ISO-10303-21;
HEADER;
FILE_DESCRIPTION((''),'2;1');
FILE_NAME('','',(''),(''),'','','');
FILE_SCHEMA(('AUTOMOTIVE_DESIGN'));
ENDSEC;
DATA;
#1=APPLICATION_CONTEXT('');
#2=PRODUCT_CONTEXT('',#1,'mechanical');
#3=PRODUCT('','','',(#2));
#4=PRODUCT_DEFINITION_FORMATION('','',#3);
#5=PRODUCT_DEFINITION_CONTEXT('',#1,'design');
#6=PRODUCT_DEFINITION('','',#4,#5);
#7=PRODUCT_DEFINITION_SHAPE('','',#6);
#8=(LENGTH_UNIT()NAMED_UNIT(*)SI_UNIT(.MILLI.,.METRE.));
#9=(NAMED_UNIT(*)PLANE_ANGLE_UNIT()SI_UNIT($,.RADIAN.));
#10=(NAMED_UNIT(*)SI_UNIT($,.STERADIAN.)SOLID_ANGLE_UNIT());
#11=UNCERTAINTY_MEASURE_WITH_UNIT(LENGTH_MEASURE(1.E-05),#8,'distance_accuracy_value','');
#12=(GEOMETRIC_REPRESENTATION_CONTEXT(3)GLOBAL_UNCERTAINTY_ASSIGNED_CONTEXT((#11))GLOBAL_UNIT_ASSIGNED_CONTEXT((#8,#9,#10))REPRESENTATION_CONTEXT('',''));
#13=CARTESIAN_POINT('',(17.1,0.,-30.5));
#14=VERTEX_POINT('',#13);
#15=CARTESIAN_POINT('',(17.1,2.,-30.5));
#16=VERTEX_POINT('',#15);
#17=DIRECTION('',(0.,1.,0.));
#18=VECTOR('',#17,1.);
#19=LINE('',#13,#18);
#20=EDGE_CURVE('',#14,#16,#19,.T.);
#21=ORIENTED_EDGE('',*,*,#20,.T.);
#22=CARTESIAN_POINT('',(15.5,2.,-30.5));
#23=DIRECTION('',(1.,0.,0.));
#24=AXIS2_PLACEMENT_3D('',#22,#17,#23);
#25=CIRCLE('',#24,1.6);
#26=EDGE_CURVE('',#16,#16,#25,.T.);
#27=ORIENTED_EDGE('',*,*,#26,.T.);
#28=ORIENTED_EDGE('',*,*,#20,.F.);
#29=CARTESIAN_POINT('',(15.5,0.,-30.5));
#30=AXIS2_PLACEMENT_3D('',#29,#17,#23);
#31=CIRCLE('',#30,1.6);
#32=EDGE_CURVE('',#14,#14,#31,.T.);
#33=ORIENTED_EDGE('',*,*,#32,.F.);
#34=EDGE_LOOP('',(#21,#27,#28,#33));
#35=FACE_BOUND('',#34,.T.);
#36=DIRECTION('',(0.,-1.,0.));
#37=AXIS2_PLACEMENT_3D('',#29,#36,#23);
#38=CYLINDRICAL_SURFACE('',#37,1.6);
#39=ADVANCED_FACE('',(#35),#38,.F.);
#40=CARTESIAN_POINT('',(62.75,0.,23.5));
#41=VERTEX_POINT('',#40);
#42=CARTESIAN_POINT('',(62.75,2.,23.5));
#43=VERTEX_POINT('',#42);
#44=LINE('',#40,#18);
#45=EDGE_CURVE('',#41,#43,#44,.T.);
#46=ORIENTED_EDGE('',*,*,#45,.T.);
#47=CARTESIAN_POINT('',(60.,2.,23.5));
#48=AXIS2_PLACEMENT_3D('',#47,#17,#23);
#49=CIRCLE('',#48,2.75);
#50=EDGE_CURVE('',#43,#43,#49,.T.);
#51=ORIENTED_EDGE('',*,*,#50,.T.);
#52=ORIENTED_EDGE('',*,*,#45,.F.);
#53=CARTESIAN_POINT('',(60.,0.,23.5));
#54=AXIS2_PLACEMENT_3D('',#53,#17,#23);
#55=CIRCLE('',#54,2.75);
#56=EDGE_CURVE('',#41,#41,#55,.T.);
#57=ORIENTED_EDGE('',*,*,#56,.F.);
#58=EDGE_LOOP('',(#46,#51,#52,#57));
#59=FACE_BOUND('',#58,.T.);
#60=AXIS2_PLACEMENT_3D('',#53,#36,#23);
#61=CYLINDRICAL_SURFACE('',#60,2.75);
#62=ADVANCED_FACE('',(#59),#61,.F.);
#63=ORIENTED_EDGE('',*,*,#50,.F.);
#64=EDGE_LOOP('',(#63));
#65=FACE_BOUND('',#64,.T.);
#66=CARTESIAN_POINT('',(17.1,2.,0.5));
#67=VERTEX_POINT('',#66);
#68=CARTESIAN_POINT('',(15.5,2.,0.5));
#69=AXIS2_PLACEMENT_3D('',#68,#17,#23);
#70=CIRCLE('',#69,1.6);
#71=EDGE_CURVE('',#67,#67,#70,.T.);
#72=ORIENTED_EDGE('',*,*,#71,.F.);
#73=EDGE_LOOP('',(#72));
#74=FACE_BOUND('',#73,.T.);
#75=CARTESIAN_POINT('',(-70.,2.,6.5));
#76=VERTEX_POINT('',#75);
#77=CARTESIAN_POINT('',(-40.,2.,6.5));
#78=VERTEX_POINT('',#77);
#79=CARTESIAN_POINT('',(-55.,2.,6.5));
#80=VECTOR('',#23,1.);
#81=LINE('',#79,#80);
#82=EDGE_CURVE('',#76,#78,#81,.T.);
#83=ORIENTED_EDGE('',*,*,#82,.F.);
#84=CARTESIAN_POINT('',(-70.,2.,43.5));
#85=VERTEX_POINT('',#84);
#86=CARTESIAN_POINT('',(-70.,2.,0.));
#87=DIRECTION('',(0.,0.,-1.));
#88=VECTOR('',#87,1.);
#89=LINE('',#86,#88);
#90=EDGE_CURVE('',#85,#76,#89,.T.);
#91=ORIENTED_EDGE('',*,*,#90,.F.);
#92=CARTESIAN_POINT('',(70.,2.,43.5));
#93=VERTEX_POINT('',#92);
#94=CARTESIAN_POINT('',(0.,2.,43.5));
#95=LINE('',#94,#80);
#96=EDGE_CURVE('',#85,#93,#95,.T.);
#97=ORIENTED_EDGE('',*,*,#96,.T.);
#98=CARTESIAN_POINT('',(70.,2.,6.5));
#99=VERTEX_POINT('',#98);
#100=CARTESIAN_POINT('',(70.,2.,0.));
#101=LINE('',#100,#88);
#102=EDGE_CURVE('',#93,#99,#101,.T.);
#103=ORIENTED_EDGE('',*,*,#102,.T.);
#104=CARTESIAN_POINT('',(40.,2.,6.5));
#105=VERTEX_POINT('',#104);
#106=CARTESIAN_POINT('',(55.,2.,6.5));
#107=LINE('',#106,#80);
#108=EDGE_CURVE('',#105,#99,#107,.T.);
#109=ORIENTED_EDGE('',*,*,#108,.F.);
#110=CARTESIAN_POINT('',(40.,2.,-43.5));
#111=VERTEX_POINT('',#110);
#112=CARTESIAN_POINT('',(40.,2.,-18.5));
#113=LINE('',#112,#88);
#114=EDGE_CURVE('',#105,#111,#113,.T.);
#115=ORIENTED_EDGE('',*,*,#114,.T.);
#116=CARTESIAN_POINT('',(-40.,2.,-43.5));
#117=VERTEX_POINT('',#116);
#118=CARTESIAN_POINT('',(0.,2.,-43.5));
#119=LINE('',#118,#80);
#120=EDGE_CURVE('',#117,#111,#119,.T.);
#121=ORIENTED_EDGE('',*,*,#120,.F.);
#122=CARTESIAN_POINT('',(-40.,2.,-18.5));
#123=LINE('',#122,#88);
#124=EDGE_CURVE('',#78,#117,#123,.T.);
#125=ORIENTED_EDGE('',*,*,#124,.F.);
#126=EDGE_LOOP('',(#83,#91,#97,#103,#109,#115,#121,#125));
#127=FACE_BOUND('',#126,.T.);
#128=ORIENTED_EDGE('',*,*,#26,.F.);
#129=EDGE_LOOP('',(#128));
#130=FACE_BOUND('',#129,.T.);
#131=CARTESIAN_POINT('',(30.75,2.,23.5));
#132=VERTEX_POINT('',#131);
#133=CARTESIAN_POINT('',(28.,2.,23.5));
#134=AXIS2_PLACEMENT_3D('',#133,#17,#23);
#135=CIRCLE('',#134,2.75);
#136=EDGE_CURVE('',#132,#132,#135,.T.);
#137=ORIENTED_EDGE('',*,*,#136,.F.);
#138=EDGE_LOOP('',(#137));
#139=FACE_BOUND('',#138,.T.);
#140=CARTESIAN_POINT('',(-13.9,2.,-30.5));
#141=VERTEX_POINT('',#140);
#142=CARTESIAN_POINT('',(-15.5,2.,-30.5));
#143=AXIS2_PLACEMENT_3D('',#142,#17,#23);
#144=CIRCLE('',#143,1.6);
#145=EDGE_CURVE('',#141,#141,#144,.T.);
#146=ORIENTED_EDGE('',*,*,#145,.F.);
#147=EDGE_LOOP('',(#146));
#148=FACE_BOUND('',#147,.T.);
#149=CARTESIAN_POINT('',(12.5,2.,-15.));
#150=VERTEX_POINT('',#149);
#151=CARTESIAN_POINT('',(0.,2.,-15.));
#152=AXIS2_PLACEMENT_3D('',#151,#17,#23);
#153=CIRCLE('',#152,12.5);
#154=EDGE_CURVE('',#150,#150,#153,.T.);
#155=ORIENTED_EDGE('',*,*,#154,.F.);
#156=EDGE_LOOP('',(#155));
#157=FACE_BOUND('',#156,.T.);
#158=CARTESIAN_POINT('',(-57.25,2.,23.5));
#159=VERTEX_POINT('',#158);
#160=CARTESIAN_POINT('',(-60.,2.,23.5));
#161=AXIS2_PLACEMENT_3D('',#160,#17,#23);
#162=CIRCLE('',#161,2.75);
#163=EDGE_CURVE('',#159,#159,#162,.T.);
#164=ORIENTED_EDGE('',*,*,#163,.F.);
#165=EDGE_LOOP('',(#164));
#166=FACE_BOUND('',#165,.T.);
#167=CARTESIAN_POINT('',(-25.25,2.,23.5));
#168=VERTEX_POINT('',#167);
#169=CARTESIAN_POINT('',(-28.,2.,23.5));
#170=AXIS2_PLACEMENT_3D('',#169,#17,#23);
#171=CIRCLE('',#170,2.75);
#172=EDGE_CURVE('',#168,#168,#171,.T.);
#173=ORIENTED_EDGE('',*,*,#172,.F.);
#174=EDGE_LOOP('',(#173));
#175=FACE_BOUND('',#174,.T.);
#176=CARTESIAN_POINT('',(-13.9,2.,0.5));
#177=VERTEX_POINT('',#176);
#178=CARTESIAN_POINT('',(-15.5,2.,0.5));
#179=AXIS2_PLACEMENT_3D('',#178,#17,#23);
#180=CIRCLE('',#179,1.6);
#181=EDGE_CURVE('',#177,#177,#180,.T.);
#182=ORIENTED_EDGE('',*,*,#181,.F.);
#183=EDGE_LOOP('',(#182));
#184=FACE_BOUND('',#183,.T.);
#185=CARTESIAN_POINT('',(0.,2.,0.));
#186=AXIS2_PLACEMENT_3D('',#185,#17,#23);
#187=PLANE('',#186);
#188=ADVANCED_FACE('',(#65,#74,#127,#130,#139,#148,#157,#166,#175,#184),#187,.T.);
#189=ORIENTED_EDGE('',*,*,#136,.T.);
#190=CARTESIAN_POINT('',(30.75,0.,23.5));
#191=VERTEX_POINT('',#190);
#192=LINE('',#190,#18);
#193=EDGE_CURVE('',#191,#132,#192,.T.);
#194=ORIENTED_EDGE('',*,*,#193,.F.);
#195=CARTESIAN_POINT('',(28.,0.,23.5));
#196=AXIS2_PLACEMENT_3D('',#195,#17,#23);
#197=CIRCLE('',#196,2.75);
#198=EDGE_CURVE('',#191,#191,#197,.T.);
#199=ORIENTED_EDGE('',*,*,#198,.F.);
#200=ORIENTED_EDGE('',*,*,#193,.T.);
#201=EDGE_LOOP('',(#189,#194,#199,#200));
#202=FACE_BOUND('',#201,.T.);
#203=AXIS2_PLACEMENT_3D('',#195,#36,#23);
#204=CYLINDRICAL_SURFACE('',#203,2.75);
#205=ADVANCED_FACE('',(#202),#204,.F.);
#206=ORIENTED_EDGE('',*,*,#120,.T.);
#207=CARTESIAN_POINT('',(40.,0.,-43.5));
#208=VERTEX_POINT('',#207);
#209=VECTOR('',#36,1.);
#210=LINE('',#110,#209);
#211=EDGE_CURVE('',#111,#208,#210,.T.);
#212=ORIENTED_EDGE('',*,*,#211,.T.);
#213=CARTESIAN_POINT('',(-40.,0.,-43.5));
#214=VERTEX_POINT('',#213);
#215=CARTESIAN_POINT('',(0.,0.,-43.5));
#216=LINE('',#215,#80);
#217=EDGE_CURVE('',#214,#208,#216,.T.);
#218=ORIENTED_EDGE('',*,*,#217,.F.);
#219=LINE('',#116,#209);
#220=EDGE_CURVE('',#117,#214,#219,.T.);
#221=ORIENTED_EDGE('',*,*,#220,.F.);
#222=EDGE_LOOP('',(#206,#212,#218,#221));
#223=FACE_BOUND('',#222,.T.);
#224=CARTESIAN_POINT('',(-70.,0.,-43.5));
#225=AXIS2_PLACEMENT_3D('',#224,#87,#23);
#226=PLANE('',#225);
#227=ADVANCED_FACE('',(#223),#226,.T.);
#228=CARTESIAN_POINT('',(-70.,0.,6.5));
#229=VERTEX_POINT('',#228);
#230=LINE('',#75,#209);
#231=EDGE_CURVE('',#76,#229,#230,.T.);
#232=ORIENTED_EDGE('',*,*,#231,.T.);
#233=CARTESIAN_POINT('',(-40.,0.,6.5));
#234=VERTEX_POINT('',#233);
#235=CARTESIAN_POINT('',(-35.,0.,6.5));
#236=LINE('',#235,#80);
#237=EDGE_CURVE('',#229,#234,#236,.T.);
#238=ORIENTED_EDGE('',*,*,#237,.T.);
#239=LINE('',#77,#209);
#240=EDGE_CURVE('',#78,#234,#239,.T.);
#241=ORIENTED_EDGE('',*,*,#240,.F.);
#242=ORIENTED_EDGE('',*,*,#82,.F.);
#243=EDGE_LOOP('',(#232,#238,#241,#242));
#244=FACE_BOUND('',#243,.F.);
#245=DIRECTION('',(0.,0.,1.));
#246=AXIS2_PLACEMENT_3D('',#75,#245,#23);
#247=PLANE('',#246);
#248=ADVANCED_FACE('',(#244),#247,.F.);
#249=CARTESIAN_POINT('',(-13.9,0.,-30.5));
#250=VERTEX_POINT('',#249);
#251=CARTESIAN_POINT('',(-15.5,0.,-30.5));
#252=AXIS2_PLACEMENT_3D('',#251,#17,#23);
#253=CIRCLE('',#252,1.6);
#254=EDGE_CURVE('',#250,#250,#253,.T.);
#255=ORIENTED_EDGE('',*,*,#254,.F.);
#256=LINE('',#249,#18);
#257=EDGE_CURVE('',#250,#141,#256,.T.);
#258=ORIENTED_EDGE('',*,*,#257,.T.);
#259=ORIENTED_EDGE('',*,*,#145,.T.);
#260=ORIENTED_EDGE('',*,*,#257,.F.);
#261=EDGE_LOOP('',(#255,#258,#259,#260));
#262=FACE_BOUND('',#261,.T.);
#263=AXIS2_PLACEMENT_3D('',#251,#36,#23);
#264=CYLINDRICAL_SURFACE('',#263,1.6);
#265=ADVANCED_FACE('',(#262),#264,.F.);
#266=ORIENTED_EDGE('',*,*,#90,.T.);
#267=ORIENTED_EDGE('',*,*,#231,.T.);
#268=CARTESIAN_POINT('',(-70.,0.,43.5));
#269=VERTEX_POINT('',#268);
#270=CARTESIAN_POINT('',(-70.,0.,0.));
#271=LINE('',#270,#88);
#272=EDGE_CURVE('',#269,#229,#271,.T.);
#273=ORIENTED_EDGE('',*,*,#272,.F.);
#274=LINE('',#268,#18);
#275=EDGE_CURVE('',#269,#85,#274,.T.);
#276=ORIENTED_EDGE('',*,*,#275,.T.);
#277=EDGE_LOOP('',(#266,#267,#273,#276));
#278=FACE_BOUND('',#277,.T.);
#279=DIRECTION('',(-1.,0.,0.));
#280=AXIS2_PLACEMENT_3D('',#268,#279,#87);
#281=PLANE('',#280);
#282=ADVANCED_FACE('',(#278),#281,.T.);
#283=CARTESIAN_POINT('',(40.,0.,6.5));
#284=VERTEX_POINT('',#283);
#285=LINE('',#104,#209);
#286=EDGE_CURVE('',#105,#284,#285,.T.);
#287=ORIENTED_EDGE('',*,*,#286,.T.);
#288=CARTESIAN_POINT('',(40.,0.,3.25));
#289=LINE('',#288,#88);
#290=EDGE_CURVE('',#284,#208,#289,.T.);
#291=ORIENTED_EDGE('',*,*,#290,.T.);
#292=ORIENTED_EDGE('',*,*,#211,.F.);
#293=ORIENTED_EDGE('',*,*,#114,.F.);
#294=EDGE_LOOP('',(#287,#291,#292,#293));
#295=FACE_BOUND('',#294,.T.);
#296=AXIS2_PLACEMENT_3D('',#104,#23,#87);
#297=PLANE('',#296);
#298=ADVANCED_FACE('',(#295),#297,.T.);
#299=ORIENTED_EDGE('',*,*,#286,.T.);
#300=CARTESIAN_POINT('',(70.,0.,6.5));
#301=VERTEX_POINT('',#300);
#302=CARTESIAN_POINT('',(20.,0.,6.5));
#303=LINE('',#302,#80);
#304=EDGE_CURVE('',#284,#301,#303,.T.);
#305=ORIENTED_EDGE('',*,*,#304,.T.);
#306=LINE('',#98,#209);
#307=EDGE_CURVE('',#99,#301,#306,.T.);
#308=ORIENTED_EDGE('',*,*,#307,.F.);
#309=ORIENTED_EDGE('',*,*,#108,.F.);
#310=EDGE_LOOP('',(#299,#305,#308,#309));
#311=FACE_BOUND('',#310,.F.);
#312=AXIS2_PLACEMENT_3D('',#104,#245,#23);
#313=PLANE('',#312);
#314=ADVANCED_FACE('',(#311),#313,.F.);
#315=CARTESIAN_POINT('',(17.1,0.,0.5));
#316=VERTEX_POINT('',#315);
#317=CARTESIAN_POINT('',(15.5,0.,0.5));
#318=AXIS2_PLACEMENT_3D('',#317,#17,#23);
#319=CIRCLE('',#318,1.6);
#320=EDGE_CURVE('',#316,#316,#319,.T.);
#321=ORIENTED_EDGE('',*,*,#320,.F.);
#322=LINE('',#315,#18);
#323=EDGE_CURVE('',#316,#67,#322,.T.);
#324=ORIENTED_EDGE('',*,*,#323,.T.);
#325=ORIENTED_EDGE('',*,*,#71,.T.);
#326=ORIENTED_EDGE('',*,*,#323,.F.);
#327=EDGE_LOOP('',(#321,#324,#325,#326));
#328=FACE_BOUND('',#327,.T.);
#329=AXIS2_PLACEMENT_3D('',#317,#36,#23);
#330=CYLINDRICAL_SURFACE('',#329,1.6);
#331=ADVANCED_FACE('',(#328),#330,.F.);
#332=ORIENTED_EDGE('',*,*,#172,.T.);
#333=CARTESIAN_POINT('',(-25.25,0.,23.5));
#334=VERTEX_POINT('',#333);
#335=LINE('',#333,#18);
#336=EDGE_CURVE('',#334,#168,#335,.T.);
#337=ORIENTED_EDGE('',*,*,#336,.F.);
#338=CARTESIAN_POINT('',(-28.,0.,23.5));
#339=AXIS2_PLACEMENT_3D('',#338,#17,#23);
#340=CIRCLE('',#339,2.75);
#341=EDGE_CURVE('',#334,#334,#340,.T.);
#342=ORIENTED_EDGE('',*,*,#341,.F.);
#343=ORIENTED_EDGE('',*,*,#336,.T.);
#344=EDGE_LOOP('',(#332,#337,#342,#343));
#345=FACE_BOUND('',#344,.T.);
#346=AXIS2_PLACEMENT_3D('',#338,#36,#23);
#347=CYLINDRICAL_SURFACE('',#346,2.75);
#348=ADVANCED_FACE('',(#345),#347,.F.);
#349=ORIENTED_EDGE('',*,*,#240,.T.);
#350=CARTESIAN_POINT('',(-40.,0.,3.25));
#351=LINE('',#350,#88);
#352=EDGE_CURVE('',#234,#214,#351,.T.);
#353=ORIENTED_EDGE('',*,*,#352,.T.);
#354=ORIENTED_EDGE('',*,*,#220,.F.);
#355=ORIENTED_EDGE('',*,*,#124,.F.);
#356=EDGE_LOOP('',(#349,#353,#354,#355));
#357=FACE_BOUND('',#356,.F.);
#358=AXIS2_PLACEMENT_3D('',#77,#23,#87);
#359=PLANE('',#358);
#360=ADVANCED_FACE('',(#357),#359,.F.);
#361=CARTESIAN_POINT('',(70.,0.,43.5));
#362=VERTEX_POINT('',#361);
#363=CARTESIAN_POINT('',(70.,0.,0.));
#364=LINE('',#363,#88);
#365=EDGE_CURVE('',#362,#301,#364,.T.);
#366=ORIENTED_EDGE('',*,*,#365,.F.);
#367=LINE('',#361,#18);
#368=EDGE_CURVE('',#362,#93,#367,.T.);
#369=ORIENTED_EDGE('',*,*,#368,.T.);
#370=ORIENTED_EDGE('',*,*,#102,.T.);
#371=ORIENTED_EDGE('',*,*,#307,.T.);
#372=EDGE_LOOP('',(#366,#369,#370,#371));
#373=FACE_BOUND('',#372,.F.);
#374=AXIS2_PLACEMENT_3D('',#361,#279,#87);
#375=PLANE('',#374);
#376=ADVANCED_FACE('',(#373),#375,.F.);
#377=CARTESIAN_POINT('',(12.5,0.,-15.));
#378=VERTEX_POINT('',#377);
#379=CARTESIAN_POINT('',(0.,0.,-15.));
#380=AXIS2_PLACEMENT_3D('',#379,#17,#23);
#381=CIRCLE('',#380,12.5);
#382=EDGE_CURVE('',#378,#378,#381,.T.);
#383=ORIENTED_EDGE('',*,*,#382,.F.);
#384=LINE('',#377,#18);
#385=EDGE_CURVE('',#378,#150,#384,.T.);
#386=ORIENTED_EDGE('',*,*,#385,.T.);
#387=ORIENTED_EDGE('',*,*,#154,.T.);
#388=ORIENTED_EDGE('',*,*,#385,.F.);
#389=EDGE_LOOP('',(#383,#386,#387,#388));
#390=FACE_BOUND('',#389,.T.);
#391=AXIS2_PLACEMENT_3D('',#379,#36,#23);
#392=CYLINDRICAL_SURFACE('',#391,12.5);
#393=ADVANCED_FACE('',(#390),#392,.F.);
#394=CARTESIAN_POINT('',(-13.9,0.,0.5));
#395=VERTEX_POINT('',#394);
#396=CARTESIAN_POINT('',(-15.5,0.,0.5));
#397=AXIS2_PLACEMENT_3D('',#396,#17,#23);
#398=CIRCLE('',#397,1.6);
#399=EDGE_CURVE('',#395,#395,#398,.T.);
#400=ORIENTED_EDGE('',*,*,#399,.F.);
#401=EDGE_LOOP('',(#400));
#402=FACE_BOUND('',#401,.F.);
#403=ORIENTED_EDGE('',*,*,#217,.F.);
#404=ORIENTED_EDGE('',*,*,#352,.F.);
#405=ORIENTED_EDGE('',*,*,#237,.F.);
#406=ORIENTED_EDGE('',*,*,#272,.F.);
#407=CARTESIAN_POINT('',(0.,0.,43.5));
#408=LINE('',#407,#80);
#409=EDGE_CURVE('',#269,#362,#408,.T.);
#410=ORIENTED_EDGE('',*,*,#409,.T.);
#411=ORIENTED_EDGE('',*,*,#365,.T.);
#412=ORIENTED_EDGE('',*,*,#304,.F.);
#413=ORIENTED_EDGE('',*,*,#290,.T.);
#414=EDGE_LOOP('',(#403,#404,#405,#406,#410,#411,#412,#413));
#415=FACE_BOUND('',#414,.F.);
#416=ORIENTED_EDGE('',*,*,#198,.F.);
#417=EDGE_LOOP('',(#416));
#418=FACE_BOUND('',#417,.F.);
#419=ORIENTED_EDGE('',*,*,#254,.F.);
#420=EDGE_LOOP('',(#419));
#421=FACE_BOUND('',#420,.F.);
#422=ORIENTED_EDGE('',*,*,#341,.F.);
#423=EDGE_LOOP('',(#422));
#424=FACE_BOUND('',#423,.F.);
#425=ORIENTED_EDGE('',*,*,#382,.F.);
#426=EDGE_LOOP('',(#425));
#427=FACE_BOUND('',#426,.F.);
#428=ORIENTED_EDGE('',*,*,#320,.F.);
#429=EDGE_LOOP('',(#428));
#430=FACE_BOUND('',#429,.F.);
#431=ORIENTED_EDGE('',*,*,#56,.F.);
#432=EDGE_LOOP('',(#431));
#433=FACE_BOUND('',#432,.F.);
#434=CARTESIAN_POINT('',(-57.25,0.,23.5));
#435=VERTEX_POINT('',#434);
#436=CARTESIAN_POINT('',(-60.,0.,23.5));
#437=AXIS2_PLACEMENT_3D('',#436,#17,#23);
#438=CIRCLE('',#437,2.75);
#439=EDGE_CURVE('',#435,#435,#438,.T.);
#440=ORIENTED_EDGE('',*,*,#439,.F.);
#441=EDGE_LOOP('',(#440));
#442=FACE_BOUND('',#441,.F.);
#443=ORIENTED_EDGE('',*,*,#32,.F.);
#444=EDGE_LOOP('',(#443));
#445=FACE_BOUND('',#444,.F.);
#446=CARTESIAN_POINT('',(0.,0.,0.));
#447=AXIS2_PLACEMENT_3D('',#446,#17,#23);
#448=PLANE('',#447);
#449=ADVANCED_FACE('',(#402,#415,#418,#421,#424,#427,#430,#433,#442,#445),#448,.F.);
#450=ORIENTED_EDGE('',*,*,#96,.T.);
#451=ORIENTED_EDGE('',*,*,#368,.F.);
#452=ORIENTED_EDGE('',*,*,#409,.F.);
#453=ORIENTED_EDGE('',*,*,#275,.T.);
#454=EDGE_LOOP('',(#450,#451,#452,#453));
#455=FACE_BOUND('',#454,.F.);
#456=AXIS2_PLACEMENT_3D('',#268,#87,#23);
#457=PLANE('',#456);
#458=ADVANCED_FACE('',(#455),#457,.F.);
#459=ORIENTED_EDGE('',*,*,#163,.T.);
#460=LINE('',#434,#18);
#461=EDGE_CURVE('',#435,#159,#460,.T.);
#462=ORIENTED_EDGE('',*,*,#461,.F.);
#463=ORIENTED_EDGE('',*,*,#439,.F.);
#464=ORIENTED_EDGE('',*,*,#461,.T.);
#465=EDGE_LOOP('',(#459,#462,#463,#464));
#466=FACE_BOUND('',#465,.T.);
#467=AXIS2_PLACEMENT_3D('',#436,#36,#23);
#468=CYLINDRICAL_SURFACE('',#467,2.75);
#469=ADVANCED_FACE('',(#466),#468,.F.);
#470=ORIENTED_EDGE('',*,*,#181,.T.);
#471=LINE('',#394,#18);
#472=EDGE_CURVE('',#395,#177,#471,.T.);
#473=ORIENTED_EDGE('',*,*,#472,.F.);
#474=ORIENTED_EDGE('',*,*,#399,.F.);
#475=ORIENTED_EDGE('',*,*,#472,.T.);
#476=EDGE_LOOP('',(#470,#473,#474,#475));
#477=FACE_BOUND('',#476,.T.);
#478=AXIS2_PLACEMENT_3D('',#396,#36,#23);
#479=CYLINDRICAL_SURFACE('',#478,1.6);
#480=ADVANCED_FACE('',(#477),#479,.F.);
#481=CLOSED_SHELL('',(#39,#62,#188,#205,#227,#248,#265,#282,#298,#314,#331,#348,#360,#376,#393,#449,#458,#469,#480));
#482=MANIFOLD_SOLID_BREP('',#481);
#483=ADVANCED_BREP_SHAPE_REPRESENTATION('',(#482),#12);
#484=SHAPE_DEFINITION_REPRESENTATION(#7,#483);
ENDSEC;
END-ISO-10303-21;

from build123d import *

# Parameters (mm, degrees)
ESQUISSE1_W             = 140
ESQUISSE1_H             = 87
ESQUISSE1_R             = 2.75
ESQUISSE1_R_2           = 1.6
ESQUISSE1_R_3           = 12.5
BOSS_EXTRU_1_DEPTH      = 2
ESQUISSE2_W             = 30
ESQUISSE2_H             = 50
ENL_V_MAT_EXTRU_1_DEPTH = 10


with BuildPart() as part:
    # Esquisse1 → Boss.-Extru.1 (new body)
    with BuildSketch(Plane(origin=(0, 0, 0), x_dir=(1, 0, 0), z_dir=(0, 1, 0))):
        Rectangle(ESQUISSE1_W, ESQUISSE1_H)
        with Locations((-60, -23.5)):
            Circle(ESQUISSE1_R, mode=Mode.SUBTRACT)
        with Locations((-28, -23.5)):
            Circle(ESQUISSE1_R, mode=Mode.SUBTRACT)
        with Locations((28, -23.5)):
            Circle(ESQUISSE1_R, mode=Mode.SUBTRACT)
        with Locations((60, -23.5)):
            Circle(ESQUISSE1_R, mode=Mode.SUBTRACT)
        with Locations((-15.5, 30.5)):
            Circle(ESQUISSE1_R_2, mode=Mode.SUBTRACT)
        with Locations((15.5, 30.5)):
            Circle(ESQUISSE1_R_2, mode=Mode.SUBTRACT)
        with Locations((15.5, -0.5)):
            Circle(ESQUISSE1_R_2, mode=Mode.SUBTRACT)
        with Locations((-15.5, -0.5)):
            Circle(ESQUISSE1_R_2, mode=Mode.SUBTRACT)
        with Locations((0, 15)):
            Circle(ESQUISSE1_R_3, mode=Mode.SUBTRACT)
    extrude(amount=BOSS_EXTRU_1_DEPTH)

    # Esquisse2 → Enlèv. mat.-Extru.1 (cut)
    with BuildSketch(Plane(origin=(0, 2, 0), x_dir=(1, 0, 0), z_dir=(0, 1, 0))):
        with Locations((-55, 18.5)):
            Rectangle(ESQUISSE2_W, ESQUISSE2_H)
        with Locations((55, 18.5)):
            Rectangle(ESQUISSE2_W, ESQUISSE2_H)
    extrude(amount=-ENL_V_MAT_EXTRU_1_DEPTH, mode=Mode.SUBTRACT)


solid = part.part
